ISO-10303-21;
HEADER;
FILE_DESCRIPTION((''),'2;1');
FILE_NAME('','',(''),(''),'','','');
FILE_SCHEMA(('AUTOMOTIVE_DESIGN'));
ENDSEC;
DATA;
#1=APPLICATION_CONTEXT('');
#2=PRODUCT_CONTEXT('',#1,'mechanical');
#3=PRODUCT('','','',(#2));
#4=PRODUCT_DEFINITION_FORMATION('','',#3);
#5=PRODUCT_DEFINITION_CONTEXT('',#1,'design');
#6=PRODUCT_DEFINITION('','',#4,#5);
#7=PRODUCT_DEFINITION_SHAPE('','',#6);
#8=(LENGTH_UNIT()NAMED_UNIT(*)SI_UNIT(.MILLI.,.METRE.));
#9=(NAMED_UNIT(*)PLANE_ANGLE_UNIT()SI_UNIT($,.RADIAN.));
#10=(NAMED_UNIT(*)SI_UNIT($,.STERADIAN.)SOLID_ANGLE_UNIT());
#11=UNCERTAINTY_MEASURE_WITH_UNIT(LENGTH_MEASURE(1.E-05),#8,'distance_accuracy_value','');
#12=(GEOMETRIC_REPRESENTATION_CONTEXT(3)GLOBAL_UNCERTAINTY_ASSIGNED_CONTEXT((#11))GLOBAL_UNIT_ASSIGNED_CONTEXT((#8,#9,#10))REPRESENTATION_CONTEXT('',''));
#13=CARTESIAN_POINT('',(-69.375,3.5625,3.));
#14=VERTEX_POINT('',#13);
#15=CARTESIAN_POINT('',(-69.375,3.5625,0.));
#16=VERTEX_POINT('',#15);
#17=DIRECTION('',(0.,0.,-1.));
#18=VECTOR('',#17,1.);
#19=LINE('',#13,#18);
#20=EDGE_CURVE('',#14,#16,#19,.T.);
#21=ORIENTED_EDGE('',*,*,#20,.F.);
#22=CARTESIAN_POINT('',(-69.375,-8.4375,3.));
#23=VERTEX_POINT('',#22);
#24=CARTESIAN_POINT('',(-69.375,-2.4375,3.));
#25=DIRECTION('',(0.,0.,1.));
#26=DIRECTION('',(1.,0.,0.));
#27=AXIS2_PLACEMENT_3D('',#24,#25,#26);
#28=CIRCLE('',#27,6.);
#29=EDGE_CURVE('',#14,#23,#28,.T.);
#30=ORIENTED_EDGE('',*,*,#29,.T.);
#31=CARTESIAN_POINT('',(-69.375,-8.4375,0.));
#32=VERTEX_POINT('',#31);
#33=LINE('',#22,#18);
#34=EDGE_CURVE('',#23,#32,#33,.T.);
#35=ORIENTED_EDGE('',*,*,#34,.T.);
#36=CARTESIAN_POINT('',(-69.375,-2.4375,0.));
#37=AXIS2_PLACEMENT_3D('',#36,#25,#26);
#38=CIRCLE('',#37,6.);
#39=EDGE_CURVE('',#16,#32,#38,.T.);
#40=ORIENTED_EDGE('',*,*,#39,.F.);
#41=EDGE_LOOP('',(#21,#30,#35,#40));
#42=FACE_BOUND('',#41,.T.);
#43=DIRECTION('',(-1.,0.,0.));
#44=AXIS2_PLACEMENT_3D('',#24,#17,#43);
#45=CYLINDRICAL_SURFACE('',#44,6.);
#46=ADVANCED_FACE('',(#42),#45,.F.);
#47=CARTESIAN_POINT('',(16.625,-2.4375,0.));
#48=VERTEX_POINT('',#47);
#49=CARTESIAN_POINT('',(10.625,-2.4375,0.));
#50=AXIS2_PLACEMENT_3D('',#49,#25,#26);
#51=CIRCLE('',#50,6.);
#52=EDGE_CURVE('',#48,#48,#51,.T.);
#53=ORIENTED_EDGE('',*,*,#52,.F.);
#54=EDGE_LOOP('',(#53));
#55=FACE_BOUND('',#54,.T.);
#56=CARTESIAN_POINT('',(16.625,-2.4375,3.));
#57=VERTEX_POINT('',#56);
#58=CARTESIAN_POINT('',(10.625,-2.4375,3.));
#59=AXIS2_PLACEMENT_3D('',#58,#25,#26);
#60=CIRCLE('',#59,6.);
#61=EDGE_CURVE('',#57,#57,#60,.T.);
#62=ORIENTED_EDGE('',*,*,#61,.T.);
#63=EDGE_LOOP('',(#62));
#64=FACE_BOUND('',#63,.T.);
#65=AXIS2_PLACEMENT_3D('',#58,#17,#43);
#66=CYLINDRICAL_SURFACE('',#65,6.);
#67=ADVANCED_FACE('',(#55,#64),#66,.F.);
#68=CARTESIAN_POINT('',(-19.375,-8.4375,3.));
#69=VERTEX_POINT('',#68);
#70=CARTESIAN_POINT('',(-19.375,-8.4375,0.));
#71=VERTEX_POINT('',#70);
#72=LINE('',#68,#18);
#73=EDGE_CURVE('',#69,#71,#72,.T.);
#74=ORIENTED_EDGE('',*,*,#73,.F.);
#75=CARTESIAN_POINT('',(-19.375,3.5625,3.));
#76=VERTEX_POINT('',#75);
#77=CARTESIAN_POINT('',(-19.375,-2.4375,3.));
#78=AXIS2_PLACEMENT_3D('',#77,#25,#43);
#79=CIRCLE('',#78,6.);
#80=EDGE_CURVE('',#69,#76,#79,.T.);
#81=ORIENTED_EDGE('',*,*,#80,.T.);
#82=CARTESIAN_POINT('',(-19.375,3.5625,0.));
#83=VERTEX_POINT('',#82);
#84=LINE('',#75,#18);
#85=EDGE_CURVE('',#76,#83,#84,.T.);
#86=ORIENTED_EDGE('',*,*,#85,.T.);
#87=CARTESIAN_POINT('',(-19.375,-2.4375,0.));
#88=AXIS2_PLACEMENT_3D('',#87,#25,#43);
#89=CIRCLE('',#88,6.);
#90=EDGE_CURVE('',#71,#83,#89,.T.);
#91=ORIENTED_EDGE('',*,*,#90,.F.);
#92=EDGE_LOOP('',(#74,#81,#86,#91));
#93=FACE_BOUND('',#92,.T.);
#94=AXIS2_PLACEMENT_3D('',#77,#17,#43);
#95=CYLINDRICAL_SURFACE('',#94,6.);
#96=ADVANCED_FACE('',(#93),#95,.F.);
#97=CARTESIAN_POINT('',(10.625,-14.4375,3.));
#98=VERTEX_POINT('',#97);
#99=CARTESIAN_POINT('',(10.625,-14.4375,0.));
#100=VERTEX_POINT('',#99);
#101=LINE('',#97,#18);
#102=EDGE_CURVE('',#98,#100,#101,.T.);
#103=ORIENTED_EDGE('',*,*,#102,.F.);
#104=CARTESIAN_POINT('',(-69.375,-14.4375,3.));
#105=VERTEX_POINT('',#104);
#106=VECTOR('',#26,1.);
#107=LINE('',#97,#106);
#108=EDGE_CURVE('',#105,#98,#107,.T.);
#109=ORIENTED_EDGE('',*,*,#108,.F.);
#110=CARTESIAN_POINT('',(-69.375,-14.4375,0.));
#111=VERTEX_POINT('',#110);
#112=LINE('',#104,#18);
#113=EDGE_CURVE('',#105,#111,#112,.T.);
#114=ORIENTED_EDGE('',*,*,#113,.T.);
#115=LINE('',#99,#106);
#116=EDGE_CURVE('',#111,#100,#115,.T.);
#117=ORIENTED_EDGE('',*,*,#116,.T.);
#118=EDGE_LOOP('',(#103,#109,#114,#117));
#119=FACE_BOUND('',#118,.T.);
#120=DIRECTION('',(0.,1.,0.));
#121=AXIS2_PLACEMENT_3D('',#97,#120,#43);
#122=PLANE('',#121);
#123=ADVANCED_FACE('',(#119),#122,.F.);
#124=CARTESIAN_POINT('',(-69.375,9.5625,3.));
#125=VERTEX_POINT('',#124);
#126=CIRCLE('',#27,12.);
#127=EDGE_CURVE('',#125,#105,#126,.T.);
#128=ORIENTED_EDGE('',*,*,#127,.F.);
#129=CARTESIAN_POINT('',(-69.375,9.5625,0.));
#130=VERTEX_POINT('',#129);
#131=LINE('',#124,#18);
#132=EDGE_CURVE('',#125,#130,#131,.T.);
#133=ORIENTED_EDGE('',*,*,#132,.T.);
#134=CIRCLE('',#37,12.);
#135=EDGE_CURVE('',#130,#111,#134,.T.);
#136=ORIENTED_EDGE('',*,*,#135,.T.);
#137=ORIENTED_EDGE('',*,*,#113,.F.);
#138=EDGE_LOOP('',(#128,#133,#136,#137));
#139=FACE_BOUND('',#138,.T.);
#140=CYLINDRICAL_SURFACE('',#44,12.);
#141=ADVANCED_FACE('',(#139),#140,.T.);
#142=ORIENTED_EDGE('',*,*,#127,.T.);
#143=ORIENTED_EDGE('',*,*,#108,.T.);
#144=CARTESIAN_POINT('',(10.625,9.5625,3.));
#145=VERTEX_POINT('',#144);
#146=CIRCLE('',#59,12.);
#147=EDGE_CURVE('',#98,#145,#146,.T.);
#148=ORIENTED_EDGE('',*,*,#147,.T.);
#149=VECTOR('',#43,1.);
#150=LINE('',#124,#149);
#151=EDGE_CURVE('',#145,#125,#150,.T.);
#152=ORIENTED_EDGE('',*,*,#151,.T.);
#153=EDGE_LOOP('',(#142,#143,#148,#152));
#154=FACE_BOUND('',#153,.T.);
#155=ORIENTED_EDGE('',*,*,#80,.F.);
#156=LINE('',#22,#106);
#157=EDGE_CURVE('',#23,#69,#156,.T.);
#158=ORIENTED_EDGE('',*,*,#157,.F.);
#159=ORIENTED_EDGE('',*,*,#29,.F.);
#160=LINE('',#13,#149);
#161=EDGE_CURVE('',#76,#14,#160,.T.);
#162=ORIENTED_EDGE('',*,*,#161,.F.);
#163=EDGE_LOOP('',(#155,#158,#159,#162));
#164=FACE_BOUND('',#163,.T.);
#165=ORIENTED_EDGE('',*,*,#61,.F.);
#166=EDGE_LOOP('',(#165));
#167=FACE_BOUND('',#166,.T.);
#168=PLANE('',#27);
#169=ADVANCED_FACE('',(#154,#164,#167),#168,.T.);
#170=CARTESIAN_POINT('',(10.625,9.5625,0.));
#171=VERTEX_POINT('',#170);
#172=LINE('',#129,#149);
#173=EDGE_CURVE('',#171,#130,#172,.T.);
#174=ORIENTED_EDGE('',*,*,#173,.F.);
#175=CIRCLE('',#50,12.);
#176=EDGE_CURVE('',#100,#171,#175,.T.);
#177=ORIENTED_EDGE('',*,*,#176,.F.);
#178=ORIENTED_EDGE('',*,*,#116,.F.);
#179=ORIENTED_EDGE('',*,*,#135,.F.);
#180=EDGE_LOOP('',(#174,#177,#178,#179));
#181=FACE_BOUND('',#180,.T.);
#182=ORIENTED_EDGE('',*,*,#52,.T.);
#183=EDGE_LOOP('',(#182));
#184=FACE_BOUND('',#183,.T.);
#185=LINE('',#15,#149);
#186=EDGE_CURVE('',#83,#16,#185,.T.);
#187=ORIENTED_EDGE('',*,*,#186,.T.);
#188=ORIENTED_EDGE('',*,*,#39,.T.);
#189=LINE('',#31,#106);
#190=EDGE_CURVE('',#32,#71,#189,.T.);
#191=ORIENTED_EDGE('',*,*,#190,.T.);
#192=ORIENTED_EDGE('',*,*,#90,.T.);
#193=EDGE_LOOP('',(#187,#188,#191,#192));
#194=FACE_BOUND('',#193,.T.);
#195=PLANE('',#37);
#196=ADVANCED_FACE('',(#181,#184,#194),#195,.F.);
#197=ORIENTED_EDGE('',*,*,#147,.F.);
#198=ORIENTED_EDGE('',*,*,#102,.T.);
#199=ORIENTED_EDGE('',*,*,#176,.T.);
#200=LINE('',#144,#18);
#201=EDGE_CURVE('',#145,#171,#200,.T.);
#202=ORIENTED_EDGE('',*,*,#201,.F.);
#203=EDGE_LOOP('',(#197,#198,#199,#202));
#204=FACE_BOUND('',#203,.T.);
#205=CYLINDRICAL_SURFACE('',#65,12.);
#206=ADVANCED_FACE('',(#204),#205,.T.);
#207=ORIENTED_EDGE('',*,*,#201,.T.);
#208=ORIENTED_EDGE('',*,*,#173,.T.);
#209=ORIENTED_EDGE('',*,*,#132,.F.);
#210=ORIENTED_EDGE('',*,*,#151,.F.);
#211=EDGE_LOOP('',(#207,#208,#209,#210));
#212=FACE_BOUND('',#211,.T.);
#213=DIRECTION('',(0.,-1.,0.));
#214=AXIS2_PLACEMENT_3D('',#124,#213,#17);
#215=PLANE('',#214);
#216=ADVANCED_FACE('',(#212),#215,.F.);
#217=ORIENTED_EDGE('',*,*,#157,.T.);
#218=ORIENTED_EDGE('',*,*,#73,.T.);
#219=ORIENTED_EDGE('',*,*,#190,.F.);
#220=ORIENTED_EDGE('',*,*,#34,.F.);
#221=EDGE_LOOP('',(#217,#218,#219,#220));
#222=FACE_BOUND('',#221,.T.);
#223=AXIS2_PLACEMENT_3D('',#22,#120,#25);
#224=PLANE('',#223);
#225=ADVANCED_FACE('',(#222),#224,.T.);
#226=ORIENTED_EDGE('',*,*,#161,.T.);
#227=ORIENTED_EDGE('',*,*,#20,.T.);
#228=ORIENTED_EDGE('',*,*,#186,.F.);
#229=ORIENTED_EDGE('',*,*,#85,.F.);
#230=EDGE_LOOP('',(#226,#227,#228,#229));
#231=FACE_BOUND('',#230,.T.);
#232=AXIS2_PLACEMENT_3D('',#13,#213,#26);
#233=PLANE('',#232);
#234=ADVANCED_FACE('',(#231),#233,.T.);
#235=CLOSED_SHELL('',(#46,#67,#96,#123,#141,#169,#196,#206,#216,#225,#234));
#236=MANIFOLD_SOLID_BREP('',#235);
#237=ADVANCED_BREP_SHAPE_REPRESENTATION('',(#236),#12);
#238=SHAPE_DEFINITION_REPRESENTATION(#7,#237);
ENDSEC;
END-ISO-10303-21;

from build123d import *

# Parameters (mm, degrees)
SKETCH1_R           = 6
BOSS_EXTRUDE1_DEPTH = 3


with BuildPart() as part:
    # Sketch1 → Boss-Extrude1 (new body)
    with BuildSketch(Plane.XY):
        with BuildLine():
            Line((-69.375, 9.5625), (10.625, 9.5625))
            ThreePointArc((10.625, 9.5625), (22.625, -2.4375), (10.625, -14.4375))
            Line((10.625, -14.4375), (-69.375, -14.4375))
            ThreePointArc((-69.375, -14.4375), (-81.375, -2.4375), (-69.375, 9.5625))
        make_face()
        with Locations((10.625, -2.4375)):
            Circle(SKETCH1_R, mode=Mode.SUBTRACT)
        with BuildLine():
            Line((-69.375, 3.5625), (-19.375, 3.5625))
            ThreePointArc((-19.375, 3.5625), (-13.375, -2.4375), (-19.375, -8.4375))
            Line((-19.375, -8.4375), (-69.375, -8.4375))
            ThreePointArc((-69.375, -8.4375), (-75.375, -2.4375), (-69.375, 3.5625))
        make_face(mode=Mode.SUBTRACT)
    extrude(amount=BOSS_EXTRUDE1_DEPTH)


solid = part.part
